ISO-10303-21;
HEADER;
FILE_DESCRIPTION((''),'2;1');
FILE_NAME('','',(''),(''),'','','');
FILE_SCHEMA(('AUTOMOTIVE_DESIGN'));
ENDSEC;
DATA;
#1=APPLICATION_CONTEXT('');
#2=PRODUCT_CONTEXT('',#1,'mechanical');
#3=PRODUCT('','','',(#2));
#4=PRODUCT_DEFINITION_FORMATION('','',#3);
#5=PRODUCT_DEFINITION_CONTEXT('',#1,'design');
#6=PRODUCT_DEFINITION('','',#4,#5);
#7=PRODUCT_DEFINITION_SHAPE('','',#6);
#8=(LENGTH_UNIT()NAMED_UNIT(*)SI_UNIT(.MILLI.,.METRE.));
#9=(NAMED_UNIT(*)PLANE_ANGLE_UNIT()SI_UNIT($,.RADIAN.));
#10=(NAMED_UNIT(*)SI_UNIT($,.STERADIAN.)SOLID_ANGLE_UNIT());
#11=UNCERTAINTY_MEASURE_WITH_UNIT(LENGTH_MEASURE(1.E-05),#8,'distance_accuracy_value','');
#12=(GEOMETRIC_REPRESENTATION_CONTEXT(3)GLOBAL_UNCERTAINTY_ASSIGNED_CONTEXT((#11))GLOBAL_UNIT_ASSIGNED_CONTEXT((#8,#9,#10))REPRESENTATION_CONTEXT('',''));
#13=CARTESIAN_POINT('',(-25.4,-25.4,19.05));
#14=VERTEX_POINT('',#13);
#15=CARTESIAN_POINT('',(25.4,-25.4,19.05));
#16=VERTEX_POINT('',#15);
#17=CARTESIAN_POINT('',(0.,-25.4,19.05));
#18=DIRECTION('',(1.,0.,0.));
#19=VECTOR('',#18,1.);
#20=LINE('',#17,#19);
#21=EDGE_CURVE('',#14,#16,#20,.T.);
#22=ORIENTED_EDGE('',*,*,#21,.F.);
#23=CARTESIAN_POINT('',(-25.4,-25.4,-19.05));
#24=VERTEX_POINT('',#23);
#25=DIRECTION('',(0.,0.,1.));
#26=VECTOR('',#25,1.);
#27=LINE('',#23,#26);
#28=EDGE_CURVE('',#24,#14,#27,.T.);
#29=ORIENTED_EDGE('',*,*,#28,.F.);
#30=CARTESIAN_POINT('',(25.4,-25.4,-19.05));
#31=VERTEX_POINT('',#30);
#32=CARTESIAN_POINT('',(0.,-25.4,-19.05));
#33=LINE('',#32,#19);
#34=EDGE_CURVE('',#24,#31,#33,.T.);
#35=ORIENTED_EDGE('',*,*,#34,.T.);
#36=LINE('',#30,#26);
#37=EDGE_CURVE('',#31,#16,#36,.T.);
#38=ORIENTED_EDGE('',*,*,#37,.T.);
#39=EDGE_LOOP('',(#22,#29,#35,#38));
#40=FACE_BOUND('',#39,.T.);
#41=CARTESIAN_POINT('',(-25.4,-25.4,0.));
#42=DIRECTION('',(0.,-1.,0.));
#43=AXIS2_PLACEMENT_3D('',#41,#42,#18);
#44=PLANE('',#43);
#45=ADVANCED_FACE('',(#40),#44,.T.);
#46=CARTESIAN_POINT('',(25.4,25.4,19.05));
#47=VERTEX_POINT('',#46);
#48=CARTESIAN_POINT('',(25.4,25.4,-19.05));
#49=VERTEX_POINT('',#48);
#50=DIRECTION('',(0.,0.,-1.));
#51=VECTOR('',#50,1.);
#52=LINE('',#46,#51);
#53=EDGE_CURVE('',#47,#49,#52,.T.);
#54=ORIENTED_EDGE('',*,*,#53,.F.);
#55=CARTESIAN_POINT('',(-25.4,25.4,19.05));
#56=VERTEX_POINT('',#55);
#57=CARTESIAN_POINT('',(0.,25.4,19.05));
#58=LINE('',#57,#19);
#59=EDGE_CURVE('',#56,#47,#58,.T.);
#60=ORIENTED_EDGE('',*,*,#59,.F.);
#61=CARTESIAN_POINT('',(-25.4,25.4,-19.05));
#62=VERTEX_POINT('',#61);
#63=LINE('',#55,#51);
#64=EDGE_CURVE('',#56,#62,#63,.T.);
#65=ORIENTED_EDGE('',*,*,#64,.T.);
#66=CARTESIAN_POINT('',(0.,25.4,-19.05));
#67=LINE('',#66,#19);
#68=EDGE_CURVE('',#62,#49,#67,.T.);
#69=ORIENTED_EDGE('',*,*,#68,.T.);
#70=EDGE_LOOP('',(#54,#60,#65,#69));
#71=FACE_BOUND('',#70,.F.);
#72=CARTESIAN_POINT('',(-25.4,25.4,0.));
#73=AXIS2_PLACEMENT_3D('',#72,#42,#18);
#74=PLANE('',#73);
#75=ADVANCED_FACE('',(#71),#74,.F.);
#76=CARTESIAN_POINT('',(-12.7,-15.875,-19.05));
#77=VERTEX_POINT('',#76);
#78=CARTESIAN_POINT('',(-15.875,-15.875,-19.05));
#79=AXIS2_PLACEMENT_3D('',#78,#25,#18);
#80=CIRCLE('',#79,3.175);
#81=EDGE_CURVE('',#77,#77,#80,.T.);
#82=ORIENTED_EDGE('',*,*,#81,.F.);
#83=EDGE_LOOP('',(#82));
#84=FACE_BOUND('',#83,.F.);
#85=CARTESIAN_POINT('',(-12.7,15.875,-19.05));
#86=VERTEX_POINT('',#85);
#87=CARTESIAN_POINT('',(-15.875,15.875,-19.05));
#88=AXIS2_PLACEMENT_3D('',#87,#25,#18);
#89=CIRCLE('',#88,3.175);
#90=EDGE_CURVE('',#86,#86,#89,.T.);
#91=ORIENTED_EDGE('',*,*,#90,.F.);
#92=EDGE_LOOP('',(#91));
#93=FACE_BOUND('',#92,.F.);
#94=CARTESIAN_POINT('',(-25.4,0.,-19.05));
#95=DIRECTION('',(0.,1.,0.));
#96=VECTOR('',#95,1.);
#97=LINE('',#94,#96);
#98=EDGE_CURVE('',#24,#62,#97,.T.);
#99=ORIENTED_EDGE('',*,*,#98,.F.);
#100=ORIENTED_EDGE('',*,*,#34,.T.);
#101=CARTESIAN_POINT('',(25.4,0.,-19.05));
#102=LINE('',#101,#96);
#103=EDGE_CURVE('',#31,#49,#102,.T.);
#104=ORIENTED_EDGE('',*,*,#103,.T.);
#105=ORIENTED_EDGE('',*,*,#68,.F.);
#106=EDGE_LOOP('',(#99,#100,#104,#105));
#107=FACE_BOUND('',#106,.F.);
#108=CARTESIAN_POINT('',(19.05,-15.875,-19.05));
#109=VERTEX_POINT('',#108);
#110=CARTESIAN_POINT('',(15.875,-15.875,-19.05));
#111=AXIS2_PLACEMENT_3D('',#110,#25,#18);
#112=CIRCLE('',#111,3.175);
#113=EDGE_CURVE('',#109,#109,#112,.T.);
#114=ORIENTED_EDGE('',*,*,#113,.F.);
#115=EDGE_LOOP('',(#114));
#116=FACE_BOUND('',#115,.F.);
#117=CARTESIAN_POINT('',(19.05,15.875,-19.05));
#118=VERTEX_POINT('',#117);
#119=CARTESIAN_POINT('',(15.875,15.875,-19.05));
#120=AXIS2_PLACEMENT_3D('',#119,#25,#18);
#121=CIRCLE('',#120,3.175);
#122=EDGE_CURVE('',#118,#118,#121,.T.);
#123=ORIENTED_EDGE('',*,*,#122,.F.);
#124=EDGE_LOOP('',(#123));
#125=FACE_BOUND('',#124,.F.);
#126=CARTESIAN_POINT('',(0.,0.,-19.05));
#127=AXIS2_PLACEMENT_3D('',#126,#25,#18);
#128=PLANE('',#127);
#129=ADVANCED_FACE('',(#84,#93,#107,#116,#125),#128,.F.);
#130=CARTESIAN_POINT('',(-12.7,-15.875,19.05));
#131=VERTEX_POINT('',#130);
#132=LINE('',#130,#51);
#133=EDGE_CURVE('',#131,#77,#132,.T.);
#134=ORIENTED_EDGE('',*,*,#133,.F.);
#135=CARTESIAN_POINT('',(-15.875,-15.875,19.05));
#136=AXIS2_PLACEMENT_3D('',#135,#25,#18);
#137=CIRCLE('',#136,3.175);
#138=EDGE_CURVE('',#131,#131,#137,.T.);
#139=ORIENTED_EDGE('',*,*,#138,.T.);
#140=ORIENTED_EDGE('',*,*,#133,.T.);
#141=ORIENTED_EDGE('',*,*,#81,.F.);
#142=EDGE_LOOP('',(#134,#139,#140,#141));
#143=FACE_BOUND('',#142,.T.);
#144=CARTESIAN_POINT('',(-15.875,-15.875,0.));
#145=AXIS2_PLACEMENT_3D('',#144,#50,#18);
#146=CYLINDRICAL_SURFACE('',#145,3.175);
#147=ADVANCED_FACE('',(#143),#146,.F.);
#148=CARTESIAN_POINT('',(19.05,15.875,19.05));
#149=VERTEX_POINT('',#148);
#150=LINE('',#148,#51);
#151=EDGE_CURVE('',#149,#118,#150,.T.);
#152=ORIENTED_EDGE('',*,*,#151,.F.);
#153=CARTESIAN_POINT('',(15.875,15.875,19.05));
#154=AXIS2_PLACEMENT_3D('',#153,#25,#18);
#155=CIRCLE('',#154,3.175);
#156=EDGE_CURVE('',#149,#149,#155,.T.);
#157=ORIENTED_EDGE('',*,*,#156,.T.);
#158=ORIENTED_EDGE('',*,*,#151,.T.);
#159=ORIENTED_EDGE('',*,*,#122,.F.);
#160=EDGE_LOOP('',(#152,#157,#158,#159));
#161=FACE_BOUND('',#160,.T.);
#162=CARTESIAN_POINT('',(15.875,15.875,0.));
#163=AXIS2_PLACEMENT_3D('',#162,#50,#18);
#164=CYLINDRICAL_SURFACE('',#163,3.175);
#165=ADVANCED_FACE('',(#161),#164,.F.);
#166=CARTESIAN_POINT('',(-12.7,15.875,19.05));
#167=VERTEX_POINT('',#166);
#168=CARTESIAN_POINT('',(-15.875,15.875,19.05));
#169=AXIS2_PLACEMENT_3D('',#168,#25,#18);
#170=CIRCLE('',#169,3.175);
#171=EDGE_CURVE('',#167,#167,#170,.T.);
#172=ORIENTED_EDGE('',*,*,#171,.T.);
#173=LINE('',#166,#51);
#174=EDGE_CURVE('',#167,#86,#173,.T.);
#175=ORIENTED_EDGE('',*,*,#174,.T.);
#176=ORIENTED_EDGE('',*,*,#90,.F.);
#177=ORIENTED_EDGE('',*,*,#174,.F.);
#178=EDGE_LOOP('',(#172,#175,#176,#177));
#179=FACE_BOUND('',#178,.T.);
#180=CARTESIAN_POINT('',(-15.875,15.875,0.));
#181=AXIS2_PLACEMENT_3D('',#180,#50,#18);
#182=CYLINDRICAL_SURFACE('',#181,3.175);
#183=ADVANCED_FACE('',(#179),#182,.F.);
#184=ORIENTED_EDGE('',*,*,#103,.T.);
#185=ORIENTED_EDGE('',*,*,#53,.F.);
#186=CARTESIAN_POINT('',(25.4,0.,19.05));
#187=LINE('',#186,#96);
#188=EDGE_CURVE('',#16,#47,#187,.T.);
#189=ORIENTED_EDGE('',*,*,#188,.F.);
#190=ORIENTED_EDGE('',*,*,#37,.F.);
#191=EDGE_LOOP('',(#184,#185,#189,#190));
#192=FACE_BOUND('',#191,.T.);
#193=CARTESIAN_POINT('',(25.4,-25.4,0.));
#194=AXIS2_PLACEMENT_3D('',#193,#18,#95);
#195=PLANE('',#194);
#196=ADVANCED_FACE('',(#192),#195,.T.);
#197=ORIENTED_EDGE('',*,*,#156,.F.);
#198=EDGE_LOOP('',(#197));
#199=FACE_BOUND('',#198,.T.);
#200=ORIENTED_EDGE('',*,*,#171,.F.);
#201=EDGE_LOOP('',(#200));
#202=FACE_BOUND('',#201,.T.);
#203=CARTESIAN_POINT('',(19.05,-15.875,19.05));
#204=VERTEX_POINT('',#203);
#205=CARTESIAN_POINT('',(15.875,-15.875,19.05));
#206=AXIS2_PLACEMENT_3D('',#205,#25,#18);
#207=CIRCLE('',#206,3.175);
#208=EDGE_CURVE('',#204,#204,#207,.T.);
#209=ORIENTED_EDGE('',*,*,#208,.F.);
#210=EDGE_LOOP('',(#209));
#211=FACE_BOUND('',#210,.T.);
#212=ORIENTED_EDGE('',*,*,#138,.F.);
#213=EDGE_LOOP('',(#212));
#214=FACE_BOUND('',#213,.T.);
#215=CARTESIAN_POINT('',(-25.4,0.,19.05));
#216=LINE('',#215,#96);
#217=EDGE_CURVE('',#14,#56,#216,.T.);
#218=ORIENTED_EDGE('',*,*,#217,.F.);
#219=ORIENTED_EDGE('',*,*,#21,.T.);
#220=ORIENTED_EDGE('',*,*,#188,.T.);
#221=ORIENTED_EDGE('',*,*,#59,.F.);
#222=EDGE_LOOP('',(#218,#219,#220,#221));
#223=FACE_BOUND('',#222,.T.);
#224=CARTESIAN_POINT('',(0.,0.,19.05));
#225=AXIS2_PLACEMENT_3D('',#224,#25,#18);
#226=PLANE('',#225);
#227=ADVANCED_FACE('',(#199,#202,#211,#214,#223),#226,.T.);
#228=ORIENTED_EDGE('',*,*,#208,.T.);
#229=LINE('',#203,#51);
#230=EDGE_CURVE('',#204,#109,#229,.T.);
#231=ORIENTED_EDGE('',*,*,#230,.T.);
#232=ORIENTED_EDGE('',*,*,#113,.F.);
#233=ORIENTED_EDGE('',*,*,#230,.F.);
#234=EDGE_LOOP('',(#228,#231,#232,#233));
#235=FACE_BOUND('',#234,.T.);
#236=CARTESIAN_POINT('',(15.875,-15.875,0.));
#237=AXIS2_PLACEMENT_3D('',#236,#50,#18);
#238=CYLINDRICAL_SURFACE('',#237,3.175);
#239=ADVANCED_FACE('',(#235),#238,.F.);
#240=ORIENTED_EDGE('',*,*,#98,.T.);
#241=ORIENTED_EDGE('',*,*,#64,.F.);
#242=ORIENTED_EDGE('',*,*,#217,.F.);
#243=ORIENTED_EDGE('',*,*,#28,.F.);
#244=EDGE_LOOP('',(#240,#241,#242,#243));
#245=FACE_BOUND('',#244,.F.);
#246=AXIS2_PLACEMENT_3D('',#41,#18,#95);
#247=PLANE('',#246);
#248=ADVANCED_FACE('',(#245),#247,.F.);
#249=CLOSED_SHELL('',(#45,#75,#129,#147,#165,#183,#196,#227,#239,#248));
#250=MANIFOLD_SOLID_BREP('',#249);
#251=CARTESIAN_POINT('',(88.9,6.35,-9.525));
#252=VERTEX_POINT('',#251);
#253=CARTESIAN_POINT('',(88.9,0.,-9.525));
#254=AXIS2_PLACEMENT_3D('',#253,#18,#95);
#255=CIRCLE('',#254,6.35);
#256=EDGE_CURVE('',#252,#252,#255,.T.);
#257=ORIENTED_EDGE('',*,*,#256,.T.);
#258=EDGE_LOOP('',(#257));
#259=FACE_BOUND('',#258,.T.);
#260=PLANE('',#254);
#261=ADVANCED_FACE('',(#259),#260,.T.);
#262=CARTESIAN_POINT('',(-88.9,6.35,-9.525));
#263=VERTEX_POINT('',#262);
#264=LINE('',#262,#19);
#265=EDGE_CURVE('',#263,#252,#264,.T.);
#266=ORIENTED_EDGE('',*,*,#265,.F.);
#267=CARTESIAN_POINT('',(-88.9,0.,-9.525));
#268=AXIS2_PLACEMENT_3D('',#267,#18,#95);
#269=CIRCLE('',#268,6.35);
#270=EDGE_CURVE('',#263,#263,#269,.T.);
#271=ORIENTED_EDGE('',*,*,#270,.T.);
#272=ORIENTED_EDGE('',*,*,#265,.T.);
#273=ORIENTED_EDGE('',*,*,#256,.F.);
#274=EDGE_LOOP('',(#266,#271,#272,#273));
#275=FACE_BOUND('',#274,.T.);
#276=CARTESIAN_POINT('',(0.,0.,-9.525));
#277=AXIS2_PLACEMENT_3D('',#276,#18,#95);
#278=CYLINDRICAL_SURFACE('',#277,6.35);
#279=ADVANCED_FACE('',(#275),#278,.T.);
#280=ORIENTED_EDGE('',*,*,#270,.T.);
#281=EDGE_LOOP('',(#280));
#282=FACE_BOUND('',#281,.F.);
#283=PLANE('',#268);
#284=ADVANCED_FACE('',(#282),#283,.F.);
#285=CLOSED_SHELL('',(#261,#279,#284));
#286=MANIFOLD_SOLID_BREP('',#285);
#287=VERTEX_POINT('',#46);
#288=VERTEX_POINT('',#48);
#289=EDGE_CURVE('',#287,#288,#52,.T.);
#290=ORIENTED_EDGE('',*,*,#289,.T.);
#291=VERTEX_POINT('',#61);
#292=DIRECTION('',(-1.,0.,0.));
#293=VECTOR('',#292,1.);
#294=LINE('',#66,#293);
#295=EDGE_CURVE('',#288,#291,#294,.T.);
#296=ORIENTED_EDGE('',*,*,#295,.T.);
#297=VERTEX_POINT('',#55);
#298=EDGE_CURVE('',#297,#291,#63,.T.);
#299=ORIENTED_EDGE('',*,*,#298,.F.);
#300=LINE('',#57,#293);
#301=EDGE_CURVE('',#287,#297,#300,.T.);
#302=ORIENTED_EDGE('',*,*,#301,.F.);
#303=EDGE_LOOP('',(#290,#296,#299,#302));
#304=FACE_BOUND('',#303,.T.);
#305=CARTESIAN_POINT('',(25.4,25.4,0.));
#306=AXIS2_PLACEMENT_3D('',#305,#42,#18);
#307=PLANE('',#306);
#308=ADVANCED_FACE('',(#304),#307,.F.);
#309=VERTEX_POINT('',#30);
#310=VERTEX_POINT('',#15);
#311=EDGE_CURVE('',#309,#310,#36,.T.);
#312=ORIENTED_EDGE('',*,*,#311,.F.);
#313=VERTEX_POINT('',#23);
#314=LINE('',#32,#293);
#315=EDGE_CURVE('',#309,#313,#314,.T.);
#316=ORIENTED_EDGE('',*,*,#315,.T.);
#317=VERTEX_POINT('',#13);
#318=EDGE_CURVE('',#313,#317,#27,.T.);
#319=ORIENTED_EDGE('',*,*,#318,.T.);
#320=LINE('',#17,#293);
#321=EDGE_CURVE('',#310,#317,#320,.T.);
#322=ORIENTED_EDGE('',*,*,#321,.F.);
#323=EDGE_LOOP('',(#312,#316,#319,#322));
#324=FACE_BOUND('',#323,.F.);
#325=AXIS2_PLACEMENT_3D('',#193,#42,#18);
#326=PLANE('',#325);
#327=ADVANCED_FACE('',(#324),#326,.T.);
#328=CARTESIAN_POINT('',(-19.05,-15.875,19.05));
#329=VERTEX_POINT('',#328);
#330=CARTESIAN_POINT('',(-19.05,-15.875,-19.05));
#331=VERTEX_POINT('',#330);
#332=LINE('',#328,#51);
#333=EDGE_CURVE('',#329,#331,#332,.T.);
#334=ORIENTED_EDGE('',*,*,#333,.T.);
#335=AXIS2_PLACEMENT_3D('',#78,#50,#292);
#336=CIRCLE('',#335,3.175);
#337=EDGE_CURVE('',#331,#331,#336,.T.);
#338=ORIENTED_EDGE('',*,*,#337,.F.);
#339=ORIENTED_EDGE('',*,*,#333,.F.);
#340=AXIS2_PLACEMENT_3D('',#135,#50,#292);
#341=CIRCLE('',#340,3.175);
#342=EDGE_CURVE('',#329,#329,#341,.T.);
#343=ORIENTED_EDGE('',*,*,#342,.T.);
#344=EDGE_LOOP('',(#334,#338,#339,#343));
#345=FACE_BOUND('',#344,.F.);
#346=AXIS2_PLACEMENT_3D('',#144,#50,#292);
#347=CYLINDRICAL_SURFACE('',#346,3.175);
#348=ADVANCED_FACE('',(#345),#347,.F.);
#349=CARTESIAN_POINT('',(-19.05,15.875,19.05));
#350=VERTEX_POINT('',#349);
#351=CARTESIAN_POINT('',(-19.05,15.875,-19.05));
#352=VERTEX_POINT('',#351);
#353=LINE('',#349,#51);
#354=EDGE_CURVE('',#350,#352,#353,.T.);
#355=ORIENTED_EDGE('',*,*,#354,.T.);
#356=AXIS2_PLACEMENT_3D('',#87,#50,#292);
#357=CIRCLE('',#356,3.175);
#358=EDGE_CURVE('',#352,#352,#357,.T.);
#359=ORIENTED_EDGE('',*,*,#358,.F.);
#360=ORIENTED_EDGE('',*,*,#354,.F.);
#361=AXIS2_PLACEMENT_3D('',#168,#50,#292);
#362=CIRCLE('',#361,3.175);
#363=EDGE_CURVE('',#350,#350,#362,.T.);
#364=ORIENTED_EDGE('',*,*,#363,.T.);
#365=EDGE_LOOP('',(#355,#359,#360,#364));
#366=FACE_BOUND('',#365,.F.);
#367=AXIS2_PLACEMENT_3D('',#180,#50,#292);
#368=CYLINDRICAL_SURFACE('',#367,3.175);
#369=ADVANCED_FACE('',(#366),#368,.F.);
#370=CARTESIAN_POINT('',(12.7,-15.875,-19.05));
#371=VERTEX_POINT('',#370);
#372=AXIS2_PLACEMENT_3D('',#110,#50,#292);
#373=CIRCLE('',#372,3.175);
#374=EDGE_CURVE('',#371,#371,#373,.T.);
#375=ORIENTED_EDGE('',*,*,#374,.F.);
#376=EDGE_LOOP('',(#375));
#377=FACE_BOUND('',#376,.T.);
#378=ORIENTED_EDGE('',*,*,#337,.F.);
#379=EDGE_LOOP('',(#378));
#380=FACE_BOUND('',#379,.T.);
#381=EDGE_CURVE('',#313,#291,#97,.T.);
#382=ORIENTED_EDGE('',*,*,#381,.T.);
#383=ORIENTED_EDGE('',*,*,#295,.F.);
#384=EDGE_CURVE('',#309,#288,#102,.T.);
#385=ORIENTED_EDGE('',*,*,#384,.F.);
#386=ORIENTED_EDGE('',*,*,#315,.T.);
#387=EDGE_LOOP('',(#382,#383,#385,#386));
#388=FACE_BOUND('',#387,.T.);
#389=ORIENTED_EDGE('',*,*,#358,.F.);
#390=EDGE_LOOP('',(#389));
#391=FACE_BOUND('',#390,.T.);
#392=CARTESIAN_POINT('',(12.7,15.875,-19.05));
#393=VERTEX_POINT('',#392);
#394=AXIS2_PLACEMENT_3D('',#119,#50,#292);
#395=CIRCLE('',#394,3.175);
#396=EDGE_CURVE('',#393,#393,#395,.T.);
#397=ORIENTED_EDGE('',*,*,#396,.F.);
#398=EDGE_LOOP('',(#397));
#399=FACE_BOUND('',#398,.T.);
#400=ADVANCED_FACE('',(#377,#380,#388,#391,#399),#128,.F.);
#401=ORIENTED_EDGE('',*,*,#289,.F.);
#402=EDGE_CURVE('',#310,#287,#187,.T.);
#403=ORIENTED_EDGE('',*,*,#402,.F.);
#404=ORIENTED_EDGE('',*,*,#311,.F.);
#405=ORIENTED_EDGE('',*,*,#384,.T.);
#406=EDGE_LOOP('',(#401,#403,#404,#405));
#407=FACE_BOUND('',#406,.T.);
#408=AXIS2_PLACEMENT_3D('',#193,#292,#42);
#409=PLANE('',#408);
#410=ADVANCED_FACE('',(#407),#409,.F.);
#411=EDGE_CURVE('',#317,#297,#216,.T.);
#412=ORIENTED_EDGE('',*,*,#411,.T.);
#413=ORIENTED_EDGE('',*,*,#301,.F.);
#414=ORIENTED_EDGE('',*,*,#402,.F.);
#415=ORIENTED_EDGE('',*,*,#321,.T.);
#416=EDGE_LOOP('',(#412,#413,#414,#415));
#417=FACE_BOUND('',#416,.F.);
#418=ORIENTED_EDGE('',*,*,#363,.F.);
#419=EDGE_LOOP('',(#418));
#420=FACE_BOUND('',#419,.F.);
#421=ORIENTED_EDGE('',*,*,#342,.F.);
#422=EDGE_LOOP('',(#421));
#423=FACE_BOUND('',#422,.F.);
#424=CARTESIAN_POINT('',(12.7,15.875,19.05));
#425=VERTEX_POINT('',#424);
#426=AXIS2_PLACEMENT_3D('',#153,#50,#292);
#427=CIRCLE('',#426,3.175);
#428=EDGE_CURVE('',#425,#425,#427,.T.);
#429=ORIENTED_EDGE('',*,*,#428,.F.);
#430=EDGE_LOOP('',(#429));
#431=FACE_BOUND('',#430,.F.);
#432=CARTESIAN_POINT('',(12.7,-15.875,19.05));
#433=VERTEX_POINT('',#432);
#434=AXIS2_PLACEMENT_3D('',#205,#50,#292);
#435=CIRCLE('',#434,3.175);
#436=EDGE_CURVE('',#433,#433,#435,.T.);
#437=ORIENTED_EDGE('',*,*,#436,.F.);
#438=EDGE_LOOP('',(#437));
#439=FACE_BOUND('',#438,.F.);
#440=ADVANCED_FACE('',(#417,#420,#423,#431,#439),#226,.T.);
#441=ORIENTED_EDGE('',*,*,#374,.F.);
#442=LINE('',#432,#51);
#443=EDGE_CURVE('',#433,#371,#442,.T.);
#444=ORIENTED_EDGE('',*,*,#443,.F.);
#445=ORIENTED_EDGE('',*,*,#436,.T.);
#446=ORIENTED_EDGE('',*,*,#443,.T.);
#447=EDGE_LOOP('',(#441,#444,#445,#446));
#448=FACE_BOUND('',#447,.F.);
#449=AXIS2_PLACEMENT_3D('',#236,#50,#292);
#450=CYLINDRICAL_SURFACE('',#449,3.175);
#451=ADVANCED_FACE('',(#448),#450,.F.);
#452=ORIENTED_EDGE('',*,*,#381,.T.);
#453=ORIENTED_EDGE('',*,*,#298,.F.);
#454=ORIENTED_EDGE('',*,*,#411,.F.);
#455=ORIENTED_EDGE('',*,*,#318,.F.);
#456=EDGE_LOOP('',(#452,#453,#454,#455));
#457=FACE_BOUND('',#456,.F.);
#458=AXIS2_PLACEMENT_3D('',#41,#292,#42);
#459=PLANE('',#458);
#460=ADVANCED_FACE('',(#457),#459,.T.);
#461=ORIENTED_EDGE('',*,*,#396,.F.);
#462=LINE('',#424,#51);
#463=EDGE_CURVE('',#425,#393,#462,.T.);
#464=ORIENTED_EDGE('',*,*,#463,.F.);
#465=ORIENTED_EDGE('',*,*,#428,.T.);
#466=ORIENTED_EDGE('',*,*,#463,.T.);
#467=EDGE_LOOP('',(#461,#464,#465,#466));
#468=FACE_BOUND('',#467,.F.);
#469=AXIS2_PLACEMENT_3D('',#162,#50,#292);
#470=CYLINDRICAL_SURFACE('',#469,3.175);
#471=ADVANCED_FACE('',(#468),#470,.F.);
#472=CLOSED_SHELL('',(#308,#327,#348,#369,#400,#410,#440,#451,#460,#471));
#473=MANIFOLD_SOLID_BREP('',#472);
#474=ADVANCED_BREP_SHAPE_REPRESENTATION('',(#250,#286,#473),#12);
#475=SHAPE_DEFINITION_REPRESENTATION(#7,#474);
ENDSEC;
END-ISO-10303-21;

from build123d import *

# Parameters (mm, degrees)
F0_W     = 50.8
F0_H     = 50.8
F0_R     = 3.175
F1_DEPTH = 19.05
F3_R     = 6.35
F4_DEPTH = 88.9


with BuildPart() as f1:
    # F0 (on Top) → F1 (new body, symmetric)
    with BuildSketch(Plane.XY):
        Rectangle(F0_W, F0_H)
        with Locations((-15.875, -15.875)):
            Circle(F0_R, mode=Mode.SUBTRACT)
        with Locations((15.875, -15.875)):
            Circle(F0_R, mode=Mode.SUBTRACT)
        with Locations((-15.875, 15.875)):
            Circle(F0_R, mode=Mode.SUBTRACT)
        with Locations((15.875, 15.875)):
            Circle(F0_R, mode=Mode.SUBTRACT)
    extrude(amount=F1_DEPTH, both=True)


with BuildPart() as f2_1:
    # F2: instance of F1
    add(f1.part.mirror(Plane.YZ))


with BuildPart() as f4:
    # F3 (on Right) → F4 (new body, symmetric)
    with BuildSketch(Plane.YZ):
        with Locations((0, -9.525)):
            Circle(F3_R)
    extrude(amount=F4_DEPTH, both=True)


solid = Compound([f1.part, f2_1.part, f4.part])
